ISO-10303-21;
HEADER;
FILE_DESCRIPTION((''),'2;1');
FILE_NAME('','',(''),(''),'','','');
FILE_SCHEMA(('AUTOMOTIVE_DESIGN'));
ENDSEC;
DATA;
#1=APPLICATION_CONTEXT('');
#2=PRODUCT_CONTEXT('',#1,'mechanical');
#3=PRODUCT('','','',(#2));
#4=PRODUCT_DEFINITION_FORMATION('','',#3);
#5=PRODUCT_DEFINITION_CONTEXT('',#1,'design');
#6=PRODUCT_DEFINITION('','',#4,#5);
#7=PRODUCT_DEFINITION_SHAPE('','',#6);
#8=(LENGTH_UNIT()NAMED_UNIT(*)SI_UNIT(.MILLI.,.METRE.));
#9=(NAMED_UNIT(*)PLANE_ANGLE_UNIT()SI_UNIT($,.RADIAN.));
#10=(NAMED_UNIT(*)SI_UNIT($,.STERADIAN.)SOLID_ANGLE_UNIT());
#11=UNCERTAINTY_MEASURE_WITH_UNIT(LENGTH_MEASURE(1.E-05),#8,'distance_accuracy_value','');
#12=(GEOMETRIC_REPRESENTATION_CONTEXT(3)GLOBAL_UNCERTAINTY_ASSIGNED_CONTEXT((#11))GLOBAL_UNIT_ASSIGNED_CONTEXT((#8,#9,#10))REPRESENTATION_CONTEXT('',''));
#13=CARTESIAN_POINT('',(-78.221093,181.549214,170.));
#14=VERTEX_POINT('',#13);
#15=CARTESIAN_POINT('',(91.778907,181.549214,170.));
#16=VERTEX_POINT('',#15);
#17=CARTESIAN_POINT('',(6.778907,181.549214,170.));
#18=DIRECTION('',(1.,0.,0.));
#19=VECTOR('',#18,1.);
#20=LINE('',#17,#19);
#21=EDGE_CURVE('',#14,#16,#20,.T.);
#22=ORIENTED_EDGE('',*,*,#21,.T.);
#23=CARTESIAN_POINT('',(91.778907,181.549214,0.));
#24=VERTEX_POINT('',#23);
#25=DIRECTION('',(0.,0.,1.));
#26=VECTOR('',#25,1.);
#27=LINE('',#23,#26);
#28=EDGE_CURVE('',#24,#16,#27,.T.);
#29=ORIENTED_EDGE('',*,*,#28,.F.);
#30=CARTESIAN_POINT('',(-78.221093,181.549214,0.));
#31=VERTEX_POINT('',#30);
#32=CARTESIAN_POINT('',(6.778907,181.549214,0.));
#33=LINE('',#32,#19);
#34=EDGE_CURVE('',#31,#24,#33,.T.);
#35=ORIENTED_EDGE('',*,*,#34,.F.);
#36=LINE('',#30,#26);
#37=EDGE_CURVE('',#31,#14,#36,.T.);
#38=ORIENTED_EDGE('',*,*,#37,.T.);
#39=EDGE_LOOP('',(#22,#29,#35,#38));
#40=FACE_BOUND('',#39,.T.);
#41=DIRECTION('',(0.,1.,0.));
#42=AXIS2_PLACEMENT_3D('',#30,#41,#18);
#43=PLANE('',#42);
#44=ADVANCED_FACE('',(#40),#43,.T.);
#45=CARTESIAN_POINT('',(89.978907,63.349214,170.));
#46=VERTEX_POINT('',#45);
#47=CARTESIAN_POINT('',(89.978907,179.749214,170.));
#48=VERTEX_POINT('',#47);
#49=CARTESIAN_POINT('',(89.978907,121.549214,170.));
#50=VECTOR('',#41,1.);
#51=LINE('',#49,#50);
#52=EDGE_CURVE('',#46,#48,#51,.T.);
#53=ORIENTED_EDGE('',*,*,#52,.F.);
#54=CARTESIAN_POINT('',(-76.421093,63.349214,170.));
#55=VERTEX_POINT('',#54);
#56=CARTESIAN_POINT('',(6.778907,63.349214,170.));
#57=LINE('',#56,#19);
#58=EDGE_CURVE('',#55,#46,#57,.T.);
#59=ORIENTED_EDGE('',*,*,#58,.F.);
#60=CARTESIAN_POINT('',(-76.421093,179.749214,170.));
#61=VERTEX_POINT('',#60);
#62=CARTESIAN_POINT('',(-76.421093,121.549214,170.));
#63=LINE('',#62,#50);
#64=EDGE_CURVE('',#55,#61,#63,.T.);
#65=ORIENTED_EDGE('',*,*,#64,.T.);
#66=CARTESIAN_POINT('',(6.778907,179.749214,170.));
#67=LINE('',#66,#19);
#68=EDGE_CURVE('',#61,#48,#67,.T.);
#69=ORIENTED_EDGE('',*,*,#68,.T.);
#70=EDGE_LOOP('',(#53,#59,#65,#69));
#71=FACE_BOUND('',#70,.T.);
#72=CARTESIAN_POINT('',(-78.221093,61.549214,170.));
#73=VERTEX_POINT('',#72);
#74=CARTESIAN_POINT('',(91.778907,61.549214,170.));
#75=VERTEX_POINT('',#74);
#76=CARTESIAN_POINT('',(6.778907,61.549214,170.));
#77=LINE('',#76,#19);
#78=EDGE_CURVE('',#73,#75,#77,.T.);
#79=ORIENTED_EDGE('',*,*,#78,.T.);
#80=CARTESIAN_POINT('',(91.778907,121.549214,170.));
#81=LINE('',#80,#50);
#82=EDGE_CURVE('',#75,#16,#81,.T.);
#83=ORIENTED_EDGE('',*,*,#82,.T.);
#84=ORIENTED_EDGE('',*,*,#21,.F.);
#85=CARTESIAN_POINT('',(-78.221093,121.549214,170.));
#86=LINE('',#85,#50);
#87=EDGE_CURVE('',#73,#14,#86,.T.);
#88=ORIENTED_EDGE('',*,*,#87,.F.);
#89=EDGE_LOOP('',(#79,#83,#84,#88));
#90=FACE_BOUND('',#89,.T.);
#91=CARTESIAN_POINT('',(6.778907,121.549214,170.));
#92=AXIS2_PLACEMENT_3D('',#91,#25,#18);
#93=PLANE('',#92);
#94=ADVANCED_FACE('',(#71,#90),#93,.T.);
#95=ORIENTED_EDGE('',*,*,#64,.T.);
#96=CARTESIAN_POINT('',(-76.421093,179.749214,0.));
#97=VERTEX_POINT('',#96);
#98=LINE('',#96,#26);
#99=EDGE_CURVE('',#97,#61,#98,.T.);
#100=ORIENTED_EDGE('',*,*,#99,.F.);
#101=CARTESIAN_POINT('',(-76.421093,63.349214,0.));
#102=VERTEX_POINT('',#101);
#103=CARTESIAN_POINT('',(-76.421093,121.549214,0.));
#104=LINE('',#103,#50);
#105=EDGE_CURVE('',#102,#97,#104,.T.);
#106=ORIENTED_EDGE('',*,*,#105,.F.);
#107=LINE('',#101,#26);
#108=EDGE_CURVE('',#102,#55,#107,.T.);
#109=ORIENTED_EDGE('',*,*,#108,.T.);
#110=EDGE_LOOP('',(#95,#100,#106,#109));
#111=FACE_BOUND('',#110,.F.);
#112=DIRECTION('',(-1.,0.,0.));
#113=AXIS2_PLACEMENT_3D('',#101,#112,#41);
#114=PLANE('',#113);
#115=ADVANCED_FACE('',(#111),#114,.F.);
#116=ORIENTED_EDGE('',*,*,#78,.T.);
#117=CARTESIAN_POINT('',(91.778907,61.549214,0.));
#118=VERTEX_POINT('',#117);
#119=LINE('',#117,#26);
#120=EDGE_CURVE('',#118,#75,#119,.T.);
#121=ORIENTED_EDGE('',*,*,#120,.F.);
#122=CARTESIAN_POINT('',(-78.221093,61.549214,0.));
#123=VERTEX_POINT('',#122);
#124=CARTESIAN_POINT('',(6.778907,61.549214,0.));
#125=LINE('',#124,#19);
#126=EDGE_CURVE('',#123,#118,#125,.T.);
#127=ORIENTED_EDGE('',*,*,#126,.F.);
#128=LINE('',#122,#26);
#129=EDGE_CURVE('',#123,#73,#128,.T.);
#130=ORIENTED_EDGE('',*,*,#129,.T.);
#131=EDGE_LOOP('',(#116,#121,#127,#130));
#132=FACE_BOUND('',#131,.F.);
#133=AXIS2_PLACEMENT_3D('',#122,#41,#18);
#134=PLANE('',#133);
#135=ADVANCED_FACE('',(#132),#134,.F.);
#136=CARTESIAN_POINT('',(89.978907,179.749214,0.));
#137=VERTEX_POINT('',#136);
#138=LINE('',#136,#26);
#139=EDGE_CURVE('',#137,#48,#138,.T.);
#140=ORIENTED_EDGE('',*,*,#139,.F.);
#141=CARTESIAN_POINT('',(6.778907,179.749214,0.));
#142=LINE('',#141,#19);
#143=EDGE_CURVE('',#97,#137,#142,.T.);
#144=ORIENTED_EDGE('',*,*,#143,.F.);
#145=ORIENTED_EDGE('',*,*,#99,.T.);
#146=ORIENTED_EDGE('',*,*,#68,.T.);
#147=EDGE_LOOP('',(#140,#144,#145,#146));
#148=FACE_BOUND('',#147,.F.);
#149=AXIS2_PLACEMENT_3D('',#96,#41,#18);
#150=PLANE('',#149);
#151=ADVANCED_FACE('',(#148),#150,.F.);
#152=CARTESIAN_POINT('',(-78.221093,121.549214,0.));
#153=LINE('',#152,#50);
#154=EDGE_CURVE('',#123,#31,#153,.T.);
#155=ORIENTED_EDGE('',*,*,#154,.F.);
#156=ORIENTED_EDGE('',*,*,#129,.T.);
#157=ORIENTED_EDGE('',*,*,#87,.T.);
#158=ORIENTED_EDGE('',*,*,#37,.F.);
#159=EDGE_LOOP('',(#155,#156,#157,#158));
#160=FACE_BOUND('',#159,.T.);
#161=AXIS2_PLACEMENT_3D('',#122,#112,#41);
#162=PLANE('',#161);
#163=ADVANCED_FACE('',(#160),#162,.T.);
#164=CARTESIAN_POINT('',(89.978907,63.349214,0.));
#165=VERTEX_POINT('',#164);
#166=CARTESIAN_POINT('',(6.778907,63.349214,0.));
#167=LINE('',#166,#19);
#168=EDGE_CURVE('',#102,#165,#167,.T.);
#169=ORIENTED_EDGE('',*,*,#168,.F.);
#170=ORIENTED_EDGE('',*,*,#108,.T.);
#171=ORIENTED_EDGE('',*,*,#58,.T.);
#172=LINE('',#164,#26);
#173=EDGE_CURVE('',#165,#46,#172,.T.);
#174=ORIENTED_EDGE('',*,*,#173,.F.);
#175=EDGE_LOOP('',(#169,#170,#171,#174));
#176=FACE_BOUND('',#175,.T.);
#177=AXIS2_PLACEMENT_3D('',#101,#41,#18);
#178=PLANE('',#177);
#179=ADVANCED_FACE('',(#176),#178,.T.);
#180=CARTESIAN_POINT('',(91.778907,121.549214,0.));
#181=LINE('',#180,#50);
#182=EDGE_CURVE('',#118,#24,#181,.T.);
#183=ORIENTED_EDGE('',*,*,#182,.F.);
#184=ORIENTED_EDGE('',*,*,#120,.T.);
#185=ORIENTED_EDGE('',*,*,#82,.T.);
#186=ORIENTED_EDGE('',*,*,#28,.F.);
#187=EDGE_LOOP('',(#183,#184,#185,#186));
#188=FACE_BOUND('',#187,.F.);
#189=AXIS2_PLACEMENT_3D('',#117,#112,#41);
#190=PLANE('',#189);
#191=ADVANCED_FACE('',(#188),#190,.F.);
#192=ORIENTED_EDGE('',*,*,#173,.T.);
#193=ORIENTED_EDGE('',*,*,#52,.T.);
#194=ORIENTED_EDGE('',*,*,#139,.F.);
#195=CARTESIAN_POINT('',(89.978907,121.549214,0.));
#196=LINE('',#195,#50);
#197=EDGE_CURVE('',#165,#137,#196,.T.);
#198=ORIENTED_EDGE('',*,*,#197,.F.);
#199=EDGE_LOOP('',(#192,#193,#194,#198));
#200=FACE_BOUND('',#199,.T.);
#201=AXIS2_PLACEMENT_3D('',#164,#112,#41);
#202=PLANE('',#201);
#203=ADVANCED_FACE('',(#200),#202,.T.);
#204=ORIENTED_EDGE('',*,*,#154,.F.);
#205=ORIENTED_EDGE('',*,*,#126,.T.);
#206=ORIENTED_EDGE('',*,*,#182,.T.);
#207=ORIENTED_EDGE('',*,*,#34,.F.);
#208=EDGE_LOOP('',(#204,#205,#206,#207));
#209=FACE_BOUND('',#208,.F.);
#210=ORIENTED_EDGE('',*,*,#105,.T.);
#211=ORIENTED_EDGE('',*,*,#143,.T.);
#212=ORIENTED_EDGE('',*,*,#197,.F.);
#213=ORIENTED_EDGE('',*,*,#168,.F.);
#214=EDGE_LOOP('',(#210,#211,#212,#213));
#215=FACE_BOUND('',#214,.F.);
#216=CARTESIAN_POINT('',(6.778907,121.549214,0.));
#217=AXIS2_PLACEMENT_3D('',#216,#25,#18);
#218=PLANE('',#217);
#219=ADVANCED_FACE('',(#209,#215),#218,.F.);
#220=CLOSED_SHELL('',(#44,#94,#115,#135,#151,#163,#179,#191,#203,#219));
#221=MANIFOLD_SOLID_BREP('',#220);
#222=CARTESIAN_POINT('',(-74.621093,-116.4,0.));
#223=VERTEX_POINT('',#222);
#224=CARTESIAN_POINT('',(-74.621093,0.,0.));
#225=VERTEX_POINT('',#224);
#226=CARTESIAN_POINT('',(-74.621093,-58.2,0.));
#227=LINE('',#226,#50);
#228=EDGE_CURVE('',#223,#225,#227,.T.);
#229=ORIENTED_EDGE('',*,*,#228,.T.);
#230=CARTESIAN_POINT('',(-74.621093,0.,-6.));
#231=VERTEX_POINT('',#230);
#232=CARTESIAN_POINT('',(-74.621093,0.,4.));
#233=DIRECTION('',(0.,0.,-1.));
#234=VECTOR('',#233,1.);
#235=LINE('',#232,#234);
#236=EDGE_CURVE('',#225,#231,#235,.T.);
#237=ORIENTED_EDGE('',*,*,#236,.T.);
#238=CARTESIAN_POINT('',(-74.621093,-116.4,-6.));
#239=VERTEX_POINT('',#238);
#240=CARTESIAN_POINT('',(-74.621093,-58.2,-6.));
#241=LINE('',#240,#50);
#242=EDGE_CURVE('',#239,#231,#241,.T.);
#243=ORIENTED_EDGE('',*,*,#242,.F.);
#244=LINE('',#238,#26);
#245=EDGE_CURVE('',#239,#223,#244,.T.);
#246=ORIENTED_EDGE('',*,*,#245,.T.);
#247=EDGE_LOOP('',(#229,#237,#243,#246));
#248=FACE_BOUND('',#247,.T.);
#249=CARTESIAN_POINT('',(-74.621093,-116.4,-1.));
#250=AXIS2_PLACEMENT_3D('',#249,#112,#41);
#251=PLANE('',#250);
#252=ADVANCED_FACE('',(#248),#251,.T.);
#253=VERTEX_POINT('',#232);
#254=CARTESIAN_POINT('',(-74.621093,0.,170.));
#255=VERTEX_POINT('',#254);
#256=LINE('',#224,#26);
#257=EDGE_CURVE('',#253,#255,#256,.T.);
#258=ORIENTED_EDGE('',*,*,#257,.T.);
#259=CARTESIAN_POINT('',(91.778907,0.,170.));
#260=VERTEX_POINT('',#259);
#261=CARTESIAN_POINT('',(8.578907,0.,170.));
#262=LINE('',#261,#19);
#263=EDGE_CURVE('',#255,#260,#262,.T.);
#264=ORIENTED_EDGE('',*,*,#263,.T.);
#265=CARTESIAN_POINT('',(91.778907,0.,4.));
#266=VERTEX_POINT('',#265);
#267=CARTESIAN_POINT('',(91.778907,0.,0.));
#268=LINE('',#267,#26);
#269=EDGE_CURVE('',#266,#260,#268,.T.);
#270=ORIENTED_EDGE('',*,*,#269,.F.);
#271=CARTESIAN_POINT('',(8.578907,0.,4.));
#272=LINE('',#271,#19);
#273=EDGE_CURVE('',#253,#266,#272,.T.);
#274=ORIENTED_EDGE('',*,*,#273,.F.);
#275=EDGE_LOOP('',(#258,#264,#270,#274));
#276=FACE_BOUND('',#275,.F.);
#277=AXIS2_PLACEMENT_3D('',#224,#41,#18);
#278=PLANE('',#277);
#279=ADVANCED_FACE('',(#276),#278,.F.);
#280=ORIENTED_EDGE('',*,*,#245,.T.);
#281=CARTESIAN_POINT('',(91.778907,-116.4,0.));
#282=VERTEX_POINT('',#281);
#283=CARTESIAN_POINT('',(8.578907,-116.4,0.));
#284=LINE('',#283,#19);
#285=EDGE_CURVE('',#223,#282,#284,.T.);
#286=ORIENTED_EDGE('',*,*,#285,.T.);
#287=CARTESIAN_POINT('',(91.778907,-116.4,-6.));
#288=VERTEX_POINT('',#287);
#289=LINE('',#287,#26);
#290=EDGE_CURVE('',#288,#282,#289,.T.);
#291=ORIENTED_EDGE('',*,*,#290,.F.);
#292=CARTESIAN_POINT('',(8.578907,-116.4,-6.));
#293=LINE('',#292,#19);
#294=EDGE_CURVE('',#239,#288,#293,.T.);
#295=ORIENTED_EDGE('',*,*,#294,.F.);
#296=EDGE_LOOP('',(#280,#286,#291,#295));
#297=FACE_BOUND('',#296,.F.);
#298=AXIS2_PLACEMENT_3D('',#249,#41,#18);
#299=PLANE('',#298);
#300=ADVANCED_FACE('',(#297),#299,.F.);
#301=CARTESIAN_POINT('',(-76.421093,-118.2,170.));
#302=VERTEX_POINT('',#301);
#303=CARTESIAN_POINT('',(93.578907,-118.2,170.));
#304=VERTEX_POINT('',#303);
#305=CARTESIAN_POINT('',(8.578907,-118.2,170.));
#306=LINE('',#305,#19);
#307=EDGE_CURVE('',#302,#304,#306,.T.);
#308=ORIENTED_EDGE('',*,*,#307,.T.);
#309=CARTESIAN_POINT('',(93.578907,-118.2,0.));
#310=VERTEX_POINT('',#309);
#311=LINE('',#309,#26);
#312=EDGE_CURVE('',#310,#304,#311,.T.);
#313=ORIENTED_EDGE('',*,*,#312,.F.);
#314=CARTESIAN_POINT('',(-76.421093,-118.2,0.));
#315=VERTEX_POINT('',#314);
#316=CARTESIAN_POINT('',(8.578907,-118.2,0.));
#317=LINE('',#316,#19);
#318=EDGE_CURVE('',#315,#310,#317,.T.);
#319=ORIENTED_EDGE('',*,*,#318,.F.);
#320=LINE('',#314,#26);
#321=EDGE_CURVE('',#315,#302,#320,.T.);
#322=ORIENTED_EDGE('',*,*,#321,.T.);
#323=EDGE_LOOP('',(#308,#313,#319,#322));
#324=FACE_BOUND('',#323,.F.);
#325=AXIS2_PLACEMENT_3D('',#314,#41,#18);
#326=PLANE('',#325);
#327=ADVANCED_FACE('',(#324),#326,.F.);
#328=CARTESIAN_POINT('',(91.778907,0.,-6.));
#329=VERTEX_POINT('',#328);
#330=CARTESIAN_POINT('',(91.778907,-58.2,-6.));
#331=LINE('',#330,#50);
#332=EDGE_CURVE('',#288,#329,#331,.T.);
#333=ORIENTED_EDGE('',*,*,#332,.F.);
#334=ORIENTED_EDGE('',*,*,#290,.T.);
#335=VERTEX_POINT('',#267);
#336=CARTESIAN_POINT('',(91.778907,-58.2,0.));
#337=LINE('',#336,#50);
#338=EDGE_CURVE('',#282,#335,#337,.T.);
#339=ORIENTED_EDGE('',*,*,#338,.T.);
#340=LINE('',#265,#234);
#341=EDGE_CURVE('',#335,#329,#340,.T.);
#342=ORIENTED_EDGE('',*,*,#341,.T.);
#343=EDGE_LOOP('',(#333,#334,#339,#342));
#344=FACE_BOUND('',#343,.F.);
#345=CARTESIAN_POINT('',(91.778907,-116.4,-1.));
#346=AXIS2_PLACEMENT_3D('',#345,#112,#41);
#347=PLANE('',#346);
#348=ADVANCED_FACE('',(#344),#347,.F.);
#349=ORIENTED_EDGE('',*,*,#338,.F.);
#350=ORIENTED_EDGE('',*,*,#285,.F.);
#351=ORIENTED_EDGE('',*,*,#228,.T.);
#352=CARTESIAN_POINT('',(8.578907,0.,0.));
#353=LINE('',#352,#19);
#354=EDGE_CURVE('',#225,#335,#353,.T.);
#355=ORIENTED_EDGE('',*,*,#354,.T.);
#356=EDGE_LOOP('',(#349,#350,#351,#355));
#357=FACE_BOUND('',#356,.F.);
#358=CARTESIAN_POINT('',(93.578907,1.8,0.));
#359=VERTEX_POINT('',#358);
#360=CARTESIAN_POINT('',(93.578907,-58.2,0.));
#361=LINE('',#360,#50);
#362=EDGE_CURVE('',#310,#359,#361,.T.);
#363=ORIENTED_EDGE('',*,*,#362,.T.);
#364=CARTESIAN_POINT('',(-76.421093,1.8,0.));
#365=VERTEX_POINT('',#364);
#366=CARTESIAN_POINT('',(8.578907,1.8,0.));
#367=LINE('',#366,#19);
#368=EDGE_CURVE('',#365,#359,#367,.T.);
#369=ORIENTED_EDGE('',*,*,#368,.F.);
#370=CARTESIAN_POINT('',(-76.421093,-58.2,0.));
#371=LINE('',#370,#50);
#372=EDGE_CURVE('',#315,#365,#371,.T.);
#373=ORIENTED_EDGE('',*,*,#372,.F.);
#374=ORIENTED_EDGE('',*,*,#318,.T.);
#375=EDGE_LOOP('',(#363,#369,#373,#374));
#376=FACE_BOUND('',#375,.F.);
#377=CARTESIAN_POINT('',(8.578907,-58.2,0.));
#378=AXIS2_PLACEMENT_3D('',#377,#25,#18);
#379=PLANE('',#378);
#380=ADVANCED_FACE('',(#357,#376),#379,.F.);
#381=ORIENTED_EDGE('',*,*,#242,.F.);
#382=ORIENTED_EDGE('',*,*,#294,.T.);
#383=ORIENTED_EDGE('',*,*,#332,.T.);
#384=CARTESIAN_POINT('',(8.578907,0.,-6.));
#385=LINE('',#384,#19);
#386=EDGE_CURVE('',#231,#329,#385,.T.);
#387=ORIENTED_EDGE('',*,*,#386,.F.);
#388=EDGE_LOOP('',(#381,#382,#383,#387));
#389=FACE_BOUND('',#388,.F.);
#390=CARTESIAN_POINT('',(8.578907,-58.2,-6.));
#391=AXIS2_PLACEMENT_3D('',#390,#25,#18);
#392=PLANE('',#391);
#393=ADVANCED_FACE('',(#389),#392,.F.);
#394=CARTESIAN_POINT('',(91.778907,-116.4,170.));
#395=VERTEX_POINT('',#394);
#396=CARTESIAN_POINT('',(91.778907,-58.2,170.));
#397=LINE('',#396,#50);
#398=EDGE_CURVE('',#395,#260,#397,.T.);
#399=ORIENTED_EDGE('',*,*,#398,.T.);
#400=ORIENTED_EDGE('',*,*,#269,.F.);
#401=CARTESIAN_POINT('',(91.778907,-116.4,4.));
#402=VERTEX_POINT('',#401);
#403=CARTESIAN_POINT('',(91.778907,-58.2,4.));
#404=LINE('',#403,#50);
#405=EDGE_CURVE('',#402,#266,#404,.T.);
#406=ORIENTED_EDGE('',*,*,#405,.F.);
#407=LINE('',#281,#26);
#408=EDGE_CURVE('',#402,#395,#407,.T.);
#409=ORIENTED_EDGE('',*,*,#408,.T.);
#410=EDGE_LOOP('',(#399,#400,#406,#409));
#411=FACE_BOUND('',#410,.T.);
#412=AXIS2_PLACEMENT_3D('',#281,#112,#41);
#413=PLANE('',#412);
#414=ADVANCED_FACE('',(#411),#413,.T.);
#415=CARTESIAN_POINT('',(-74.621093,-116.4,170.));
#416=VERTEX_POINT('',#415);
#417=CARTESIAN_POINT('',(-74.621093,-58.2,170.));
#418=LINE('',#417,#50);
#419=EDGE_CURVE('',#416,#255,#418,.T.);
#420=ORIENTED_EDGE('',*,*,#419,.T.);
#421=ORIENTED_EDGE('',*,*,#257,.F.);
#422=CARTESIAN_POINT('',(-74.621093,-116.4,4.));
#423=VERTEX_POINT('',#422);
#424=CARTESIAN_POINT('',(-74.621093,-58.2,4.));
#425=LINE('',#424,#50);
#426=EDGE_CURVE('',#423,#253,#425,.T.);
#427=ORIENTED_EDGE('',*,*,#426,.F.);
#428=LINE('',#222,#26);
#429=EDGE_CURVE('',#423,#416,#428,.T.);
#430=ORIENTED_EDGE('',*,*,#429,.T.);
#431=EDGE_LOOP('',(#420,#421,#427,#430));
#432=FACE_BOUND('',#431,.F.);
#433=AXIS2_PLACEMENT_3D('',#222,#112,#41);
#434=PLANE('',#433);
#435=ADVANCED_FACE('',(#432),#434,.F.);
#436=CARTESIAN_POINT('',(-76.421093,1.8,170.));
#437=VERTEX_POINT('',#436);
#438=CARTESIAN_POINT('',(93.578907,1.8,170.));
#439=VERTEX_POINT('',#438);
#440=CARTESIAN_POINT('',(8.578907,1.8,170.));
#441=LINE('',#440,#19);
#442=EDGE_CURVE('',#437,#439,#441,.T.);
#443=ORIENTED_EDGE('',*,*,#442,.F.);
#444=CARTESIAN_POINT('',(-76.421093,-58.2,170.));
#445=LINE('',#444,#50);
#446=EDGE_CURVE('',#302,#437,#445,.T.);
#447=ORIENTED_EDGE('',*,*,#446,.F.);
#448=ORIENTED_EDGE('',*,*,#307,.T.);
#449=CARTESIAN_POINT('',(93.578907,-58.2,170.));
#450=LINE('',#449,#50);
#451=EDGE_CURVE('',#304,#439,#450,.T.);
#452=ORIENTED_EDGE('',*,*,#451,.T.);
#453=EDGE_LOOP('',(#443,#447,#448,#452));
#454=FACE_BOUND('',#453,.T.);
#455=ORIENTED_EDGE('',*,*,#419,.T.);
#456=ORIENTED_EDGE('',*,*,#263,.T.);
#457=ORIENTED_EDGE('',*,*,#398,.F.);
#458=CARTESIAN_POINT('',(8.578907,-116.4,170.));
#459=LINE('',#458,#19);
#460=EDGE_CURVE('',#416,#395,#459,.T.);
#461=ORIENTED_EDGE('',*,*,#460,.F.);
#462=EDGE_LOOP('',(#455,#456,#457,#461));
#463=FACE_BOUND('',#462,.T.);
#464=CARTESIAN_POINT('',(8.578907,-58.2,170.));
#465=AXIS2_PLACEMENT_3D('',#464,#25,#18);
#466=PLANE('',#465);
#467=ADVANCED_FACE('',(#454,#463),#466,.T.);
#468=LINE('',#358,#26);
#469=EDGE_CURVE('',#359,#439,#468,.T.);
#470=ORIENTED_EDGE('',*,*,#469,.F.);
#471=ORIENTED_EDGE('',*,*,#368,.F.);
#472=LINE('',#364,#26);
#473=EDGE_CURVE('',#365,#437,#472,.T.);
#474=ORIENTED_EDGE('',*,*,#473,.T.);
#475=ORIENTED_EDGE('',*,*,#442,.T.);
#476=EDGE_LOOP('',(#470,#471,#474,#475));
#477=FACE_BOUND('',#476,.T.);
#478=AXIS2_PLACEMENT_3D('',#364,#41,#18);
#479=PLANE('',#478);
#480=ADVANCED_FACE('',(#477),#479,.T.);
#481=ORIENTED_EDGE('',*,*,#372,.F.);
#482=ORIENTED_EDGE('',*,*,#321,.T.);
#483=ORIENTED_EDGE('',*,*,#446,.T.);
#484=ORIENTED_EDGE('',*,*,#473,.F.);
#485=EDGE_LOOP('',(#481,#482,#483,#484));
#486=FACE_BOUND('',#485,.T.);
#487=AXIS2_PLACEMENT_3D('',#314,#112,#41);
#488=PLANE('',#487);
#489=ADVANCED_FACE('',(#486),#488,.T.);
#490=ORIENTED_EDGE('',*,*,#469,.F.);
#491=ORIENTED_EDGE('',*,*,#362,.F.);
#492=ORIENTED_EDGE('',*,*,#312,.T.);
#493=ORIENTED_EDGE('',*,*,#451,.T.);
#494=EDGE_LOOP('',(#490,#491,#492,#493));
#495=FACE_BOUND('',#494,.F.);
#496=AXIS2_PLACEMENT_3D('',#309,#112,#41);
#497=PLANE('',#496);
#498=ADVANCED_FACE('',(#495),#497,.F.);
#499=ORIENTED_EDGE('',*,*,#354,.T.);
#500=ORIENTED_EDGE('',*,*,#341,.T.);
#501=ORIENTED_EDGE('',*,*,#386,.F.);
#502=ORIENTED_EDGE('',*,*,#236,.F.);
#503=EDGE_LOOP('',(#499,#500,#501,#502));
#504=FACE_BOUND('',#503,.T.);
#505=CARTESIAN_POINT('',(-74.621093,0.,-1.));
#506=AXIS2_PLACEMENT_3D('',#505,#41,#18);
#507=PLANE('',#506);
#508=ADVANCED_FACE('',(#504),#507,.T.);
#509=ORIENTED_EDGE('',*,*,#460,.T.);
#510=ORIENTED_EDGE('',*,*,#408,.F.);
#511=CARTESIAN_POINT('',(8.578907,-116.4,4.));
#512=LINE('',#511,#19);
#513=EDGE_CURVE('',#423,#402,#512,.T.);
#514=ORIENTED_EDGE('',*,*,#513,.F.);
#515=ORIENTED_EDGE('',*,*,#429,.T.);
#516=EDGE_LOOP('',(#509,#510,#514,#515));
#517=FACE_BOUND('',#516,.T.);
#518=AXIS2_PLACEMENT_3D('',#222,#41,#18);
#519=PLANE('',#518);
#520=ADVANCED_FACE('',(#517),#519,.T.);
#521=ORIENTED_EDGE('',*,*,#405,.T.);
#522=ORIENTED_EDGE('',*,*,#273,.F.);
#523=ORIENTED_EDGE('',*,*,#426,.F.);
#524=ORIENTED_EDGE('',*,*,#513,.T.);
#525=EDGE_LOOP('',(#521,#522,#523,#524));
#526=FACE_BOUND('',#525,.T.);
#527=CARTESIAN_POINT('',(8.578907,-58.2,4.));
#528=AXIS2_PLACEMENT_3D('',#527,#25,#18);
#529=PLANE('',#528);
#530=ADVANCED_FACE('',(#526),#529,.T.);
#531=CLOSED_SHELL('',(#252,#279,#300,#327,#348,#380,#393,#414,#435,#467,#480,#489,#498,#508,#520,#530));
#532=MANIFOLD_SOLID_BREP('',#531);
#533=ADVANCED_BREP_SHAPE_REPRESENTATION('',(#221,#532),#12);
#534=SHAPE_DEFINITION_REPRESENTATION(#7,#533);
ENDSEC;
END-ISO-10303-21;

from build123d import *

# Parameters (mm, degrees)
F0_W     = 166.4
F0_H     = 116.4
F1_DEPTH = 170
F0_W_2   = 170
F0_H_2   = 120
F2_DEPTH = 170
F4_DEPTH = 1
F5_DEPTH = 5
F6_DEPTH = 170


with BuildPart() as f1:
    # F0 (on Top) → F1 (new body)
    with BuildSketch(Plane.XY):
        with Locations((6.7789069265, 121.5492137671)):
            Rectangle(F0_W, F0_H)
    extrude(amount=F1_DEPTH)


with BuildPart() as f2:
    # F0 (on Top) → F2 (new body)
    with BuildSketch(Plane.XY):
        with Locations((6.7789069265, 121.5492137671)):
            Rectangle(F0_W_2, F0_H_2)
        with Locations((6.7789069265, 121.5492137671)):
            Rectangle(F0_W, F0_H, mode=Mode.SUBTRACT)
    extrude(amount=F2_DEPTH)

    # F3: cut F1
    add(f1.part, mode=Mode.SUBTRACT)


with BuildPart() as f4:
    # F0 (on Top) → F4 (new body, symmetric)
    with BuildSketch(Plane.XY):
        with Locations((8.5789069265, -58.2)):
            Rectangle(F0_W, F0_H)
    extrude(amount=F4_DEPTH, both=True)


with BuildPart() as f5:
    # F5 (new, symmetric): a face of the model
    f5_faces = [f4.part.faces().sort_by_distance(p)[0] for p in [
        (8.5789069265, -58.2, -1),
    ]]
    extrude(f5_faces, amount=F5_DEPTH, both=True)


with BuildPart() as f4_1:
    add(f4.part)

    add(f5.part)  # F6 merges F5
    # F0 (on Top) → F6 (join)
    with BuildSketch(Plane.XY):
        with Locations((8.5789069265, -58.2)):
            Rectangle(F0_W_2, F0_H_2)
        with Locations((8.5789069265, -58.2)):
            Rectangle(F0_W, F0_H, mode=Mode.SUBTRACT)
    extrude(amount=F6_DEPTH)


solid = Compound([f2.part, f4_1.part])
